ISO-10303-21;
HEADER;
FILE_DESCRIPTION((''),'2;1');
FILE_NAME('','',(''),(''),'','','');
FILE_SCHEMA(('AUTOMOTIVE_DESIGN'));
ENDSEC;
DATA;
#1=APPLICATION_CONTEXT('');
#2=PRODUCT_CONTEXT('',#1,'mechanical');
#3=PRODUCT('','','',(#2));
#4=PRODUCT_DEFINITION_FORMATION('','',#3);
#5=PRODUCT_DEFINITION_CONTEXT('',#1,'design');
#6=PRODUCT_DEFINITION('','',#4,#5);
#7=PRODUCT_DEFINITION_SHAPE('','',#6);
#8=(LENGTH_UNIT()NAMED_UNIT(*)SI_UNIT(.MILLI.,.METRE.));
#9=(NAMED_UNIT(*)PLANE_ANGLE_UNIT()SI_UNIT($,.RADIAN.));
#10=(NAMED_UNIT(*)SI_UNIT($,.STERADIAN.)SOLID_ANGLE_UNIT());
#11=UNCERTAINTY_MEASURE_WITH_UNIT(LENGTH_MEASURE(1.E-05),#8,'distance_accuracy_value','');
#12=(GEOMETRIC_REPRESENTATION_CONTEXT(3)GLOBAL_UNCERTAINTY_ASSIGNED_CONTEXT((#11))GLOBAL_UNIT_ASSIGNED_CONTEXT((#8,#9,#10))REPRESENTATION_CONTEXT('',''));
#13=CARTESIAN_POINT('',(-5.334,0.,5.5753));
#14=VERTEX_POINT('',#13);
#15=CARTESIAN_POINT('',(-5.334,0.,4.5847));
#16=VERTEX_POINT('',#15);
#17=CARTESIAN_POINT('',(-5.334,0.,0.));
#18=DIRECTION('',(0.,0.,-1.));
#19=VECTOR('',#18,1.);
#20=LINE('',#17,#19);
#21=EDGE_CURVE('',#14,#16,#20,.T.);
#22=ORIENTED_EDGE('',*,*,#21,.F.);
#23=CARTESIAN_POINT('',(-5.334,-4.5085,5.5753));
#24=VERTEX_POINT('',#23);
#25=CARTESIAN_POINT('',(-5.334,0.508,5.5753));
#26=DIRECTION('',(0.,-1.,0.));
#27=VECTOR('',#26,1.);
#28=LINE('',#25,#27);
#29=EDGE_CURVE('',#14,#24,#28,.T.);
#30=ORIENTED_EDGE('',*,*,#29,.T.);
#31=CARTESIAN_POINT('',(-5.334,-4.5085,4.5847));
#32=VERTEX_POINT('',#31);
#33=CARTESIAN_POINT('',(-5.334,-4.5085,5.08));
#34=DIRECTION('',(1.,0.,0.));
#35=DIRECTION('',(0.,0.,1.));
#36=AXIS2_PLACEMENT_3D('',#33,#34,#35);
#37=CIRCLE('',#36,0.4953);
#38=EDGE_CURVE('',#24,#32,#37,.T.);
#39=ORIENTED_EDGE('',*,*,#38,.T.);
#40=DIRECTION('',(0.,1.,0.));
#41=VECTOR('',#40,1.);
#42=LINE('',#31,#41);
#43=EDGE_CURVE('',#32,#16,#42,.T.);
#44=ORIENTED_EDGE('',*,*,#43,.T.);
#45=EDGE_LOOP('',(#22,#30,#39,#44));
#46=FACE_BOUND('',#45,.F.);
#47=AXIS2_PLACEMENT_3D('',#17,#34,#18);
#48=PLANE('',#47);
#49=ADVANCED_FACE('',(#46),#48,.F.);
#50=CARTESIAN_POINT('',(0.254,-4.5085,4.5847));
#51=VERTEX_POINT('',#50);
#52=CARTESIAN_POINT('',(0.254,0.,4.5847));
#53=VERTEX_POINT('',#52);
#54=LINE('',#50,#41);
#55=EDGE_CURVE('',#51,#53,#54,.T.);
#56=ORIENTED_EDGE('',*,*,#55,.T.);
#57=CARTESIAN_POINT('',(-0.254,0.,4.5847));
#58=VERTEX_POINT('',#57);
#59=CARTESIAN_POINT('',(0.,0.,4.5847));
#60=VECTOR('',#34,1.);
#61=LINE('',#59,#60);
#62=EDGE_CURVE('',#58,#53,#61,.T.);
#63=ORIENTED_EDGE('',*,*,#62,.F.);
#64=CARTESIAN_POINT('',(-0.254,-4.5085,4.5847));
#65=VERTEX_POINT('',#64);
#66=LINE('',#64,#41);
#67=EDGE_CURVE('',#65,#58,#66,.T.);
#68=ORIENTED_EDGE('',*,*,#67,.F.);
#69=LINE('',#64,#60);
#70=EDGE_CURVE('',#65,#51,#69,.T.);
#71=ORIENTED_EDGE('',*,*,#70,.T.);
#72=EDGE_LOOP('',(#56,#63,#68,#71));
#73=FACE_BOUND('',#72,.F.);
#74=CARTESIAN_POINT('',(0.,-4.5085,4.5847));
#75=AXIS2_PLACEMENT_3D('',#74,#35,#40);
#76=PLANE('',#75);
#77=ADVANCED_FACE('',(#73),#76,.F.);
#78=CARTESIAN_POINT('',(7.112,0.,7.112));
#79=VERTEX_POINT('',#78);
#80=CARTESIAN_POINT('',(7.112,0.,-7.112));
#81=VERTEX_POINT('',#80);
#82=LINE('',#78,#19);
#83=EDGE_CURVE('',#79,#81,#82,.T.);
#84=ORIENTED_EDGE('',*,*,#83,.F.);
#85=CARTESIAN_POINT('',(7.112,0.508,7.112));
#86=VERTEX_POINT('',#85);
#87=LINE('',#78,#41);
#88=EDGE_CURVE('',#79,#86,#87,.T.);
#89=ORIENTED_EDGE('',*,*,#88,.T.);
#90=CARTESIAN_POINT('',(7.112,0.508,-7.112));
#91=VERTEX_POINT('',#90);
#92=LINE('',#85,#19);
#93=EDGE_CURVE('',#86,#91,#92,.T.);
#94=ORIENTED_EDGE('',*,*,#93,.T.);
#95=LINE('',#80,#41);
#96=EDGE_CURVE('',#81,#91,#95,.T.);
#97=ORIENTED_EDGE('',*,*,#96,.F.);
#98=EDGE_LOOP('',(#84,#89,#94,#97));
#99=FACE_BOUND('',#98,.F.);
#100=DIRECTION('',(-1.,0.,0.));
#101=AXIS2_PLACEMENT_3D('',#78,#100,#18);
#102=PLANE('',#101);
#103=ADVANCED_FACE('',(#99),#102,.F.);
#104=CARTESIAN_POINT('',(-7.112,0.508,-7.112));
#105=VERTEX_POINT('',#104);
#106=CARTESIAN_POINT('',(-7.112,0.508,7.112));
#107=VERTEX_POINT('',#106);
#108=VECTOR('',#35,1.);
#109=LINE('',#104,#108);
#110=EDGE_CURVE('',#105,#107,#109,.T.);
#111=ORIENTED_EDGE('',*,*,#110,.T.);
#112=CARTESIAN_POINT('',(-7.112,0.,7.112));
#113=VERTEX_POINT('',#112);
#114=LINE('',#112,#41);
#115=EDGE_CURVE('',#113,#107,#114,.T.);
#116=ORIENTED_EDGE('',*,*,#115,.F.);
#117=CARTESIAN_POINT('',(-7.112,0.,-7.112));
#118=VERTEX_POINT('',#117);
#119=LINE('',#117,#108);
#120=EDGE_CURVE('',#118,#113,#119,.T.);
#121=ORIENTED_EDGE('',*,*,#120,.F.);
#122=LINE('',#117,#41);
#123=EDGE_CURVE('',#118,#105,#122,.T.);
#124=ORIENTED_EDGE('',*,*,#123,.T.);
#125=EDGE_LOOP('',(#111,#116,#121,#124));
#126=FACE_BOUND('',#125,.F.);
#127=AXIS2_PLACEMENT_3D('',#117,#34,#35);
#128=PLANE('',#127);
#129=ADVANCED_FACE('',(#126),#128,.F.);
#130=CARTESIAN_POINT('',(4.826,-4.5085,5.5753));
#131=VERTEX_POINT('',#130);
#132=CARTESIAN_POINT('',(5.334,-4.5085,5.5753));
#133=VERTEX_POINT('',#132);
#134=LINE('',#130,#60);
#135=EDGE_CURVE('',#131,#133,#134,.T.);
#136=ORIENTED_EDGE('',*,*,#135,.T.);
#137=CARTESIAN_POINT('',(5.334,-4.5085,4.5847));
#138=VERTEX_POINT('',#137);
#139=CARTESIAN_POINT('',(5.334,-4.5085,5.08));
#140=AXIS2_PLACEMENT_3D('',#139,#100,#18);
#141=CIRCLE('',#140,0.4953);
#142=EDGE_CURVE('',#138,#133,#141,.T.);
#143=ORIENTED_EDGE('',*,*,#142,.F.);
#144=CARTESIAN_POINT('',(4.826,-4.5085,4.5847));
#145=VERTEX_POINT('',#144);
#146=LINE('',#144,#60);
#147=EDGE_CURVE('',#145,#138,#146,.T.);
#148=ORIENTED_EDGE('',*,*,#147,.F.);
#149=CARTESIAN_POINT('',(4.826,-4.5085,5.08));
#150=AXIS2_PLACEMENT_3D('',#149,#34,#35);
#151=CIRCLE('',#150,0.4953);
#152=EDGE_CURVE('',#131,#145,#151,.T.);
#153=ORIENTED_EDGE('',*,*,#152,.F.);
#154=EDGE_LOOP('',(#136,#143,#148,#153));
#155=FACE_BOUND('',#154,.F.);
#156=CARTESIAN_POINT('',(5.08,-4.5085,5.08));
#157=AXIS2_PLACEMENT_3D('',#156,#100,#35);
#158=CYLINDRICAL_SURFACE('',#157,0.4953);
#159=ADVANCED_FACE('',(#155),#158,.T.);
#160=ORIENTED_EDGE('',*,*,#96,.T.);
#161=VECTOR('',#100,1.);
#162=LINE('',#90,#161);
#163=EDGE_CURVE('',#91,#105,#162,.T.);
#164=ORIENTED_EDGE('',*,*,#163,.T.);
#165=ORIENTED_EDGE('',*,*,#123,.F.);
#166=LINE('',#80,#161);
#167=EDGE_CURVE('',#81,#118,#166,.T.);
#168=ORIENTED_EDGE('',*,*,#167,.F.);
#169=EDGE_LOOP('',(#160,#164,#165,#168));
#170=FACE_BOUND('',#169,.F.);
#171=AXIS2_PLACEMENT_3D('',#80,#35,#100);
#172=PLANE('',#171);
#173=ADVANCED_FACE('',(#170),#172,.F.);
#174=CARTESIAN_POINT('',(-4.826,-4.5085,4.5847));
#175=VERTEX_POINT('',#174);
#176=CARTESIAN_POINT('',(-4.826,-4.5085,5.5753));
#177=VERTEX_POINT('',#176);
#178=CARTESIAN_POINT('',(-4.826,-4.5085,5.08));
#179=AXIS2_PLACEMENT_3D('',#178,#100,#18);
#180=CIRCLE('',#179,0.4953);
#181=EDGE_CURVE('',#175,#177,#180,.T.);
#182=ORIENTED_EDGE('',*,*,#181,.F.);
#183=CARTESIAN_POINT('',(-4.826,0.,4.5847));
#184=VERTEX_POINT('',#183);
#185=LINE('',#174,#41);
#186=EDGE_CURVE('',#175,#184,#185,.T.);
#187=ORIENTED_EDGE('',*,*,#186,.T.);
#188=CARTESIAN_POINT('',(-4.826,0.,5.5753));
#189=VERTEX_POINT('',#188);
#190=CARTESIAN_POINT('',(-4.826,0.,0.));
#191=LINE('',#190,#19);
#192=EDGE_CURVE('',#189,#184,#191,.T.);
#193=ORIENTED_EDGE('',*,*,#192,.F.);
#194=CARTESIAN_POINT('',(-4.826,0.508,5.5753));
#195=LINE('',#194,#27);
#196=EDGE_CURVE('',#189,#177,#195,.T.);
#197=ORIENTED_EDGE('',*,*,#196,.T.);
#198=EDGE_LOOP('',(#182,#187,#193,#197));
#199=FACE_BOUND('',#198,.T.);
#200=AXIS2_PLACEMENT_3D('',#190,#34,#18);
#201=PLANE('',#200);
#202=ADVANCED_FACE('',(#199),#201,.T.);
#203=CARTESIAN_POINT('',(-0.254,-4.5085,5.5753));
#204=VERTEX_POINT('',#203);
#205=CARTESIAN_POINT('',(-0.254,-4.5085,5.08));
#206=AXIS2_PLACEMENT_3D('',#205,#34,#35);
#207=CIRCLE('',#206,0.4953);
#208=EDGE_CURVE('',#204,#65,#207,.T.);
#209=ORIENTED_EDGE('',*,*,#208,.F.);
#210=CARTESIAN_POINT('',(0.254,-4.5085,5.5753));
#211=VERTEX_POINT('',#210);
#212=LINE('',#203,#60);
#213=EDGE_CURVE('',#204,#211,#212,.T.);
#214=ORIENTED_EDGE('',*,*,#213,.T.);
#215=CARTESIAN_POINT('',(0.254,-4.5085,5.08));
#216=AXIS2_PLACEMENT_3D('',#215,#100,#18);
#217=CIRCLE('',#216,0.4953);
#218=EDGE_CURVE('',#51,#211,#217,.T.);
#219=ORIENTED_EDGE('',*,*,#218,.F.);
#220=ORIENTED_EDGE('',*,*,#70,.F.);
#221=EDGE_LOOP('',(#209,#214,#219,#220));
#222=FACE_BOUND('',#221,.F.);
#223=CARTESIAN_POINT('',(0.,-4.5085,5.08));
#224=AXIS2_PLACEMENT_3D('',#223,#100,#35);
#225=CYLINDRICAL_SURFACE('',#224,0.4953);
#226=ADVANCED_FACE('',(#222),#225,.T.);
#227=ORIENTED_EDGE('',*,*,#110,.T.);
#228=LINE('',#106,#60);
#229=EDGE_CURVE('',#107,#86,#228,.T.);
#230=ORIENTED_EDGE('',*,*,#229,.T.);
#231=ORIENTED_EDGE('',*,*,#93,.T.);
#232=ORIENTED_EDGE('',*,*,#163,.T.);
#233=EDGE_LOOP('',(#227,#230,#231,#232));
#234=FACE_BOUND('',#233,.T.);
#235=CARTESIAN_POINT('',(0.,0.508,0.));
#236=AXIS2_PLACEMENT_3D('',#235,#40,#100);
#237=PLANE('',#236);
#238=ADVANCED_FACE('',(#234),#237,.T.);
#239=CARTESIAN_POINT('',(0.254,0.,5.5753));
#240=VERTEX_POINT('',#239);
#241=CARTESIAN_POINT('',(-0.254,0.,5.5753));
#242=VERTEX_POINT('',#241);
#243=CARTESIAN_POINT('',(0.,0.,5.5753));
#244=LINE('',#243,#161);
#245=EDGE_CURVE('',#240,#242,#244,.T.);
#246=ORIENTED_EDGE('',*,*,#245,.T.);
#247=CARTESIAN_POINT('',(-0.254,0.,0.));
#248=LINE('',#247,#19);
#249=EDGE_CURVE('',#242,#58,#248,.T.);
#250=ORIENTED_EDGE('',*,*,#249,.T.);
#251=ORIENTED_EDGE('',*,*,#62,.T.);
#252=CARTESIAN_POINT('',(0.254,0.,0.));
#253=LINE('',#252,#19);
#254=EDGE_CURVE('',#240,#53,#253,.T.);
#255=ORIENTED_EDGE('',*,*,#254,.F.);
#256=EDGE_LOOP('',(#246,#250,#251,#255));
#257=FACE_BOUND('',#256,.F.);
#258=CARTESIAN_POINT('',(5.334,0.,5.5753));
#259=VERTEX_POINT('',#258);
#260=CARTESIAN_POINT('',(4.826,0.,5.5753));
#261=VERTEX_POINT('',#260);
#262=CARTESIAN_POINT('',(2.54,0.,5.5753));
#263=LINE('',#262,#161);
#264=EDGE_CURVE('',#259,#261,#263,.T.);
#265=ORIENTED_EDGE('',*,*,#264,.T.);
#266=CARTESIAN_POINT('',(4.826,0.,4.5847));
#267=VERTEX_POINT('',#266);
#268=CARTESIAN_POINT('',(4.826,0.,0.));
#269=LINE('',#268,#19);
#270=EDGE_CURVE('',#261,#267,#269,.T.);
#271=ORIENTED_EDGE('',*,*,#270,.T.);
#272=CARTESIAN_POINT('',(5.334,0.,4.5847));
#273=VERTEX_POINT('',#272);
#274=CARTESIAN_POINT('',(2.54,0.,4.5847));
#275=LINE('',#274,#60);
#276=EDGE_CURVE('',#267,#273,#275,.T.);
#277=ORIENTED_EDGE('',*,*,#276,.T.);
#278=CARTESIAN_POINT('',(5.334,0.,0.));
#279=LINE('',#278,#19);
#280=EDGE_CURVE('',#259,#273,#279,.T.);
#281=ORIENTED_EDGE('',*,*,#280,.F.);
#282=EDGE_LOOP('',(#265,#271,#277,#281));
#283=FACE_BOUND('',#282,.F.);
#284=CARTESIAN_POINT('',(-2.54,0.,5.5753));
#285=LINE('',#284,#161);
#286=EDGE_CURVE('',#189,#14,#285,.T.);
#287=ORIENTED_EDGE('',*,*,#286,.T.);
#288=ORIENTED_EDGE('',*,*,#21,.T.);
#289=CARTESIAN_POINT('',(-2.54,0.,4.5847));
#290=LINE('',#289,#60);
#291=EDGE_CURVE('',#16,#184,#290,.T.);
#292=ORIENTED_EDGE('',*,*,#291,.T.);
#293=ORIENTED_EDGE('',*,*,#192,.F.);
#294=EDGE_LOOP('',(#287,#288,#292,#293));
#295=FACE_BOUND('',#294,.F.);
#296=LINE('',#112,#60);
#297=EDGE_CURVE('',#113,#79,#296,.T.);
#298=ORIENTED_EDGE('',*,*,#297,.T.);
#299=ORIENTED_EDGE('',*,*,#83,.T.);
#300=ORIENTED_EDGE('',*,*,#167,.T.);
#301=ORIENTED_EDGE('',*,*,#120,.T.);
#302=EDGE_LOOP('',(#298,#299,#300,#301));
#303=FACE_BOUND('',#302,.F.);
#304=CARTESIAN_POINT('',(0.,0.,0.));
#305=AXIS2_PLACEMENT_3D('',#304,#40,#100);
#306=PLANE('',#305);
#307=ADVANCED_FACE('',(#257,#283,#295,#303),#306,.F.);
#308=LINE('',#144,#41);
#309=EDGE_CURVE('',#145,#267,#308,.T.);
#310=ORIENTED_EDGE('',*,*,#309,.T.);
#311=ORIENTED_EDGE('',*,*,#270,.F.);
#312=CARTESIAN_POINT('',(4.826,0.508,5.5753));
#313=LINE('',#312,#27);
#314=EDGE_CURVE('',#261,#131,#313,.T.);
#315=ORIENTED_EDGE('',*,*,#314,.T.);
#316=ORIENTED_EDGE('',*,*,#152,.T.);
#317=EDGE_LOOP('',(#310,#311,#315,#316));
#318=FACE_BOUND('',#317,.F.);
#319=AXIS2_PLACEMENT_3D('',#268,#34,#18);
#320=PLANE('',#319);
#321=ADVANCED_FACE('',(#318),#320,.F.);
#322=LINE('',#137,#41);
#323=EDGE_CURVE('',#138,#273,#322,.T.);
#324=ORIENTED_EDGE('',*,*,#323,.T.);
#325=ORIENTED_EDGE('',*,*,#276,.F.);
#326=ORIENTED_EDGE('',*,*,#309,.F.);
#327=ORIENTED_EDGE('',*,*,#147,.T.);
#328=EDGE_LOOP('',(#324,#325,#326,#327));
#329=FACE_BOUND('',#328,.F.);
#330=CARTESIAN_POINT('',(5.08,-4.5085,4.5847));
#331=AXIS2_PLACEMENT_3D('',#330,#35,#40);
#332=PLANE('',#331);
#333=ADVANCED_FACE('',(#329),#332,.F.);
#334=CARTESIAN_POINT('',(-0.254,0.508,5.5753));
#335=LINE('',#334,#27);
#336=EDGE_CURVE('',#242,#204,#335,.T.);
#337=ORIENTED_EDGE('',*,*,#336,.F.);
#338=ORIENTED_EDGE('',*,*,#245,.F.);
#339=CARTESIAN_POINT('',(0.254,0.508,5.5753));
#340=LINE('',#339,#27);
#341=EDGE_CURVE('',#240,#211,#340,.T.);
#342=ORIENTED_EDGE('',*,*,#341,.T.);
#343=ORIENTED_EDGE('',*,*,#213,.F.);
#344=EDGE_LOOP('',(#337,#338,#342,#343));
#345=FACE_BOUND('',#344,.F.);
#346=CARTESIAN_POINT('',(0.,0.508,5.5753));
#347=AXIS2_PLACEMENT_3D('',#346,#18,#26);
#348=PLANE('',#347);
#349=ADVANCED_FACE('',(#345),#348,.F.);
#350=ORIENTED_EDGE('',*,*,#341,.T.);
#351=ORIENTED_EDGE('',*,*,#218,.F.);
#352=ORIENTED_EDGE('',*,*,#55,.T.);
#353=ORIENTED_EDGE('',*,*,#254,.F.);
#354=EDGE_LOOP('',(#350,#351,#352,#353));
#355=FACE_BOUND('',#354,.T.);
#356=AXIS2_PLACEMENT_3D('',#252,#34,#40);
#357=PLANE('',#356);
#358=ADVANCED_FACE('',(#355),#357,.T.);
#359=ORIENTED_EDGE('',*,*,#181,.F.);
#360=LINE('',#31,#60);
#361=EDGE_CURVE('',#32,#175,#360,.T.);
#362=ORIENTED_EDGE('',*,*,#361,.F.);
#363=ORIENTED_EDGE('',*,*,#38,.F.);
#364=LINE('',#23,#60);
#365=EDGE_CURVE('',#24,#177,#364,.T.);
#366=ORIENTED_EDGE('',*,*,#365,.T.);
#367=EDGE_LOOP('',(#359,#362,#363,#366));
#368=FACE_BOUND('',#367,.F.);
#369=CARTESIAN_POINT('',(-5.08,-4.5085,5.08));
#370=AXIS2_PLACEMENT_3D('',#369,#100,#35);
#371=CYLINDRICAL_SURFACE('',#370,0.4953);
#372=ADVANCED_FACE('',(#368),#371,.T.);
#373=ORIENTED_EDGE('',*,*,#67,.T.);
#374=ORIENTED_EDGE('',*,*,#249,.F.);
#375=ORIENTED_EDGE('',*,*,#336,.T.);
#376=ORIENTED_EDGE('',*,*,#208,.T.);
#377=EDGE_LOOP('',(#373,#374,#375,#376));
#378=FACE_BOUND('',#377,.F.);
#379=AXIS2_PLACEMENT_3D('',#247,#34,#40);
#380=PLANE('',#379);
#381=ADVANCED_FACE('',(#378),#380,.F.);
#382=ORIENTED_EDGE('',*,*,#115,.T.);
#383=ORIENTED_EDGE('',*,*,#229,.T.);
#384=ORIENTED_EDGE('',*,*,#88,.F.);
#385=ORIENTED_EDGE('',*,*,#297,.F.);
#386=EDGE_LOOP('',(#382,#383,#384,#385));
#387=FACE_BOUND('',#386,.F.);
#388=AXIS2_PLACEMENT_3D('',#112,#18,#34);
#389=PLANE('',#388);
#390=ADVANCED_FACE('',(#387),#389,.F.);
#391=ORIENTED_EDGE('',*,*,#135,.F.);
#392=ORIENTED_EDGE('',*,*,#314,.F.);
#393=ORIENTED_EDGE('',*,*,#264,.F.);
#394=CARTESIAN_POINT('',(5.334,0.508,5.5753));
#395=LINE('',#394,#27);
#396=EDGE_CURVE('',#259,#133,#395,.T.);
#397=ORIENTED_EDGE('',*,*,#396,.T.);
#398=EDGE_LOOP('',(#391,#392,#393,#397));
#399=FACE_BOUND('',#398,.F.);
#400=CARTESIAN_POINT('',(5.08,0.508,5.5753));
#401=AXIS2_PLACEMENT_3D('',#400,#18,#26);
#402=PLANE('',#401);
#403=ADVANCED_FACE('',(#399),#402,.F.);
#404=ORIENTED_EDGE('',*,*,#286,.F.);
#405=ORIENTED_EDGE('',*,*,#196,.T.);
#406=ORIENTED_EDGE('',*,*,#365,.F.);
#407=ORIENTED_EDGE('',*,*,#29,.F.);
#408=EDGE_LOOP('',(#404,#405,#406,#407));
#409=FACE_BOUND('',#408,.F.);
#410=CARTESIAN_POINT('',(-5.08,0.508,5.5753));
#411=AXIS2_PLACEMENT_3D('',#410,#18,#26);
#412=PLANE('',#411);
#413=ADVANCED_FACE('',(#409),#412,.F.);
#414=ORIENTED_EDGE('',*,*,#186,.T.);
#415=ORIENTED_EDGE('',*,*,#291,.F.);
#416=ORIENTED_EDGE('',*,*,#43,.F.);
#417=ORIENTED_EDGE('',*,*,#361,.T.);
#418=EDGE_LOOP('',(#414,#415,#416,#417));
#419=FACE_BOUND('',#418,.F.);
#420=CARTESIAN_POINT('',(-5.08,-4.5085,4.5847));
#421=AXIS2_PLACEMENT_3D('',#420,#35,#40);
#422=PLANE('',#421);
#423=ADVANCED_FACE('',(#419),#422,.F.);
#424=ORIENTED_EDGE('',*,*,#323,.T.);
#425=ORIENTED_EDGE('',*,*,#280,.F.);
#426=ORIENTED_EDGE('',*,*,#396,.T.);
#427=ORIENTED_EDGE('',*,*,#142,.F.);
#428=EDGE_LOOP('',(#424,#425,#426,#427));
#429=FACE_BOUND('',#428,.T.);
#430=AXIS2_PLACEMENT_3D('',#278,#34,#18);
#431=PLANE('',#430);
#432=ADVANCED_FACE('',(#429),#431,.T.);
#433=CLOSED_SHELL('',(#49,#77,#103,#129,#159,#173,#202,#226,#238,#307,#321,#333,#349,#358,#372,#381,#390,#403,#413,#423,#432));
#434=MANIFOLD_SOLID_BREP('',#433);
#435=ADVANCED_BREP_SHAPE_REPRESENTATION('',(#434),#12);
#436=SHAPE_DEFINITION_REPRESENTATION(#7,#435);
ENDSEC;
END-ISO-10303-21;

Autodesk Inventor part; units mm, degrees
sketch "Sketch_1" plane through (0, 0, 0) normal (0, 1, 0) x (-1, 0, 0)
  line L0 (7.112, -7.112) -> (7.112, 7.112)
  line L1 (7.112, 7.112) -> (-7.112, 7.112)
  line L2 (-7.112, 7.112) -> (-7.112, -7.112)
  line L3 (-7.112, -7.112) -> (7.112, -7.112)
extrude "Extrusion1" add sketch "Sketch_1" along normal blind 0.508
sketch "Sketch_10" plane through (-5.08, 0, 0) normal (1, 0, 0) x (0, 0, -1)
  arc A0 (-5.5753, -4.5085) -> (-5.08, -5.0038) centre (-5.08, -4.5085) ccw
  arc A1 (-5.08, -5.0038) -> (-4.5847, -4.5085) centre (-5.08, -4.5085) ccw
  line L0 (-4.5847, -4.5085) -> (-4.5847, 0.508)
  line L1 (-4.5847, 0.508) -> (-5.5753, 0.508)
  line L2 (-5.5753, 0.508) -> (-5.5753, -4.5085)
extrude "Extrusion2" add sketch "Sketch_10" along normal mid plane 0.508
sketch "Sketch_12" plane through (0, 0, 0) normal (1, 0, 0) x (0, 1, 0)
  arc A0 (-4.5085, 5.5753) -> (-5.0038, 5.08) centre (-4.5085, 5.08) ccw
  arc A1 (-5.0038, 5.08) -> (-4.5085, 4.5847) centre (-4.5085, 5.08) ccw
  line L0 (-4.5085, 4.5847) -> (0.508, 4.5847)
  line L1 (0.508, 4.5847) -> (0.508, 5.5753)
  line L2 (0.508, 5.5753) -> (-4.5085, 5.5753)
extrude "Extrusion3" add sketch "Sketch_12" along normal mid plane 0.508
sketch "Sketch_14" plane through (5.08, 0, 0) normal (1, 0, 0) x (0, 0, -1)
  arc A0 (-5.5753, -4.5085) -> (-5.08, -5.0038) centre (-5.08, -4.5085) ccw
  arc A1 (-5.08, -5.0038) -> (-4.5847, -4.5085) centre (-5.08, -4.5085) ccw
  line L0 (-4.5847, -4.5085) -> (-4.5847, 0.508)
  line L1 (-4.5847, 0.508) -> (-5.5753, 0.508)
  line L2 (-5.5753, 0.508) -> (-5.5753, -4.5085)
extrude "Extrusion4" add sketch "Sketch_14" along normal mid plane 0.508
ref_plane "pole_to_body_XY" through (0, 0.508, 0) normal (0, 1, 0) x (1, 0, 0)
ref_plane "pole_to_body_YZ" through (0, 0.508, 0) normal (1, 0, 0) x (0, 0, -1)
ref_plane "pole_to_body_ZX" through (0, 0.508, 0) normal (0, 0, -1) x (0, 1, 0)
properties part number "UB216SKG035D-NR"
